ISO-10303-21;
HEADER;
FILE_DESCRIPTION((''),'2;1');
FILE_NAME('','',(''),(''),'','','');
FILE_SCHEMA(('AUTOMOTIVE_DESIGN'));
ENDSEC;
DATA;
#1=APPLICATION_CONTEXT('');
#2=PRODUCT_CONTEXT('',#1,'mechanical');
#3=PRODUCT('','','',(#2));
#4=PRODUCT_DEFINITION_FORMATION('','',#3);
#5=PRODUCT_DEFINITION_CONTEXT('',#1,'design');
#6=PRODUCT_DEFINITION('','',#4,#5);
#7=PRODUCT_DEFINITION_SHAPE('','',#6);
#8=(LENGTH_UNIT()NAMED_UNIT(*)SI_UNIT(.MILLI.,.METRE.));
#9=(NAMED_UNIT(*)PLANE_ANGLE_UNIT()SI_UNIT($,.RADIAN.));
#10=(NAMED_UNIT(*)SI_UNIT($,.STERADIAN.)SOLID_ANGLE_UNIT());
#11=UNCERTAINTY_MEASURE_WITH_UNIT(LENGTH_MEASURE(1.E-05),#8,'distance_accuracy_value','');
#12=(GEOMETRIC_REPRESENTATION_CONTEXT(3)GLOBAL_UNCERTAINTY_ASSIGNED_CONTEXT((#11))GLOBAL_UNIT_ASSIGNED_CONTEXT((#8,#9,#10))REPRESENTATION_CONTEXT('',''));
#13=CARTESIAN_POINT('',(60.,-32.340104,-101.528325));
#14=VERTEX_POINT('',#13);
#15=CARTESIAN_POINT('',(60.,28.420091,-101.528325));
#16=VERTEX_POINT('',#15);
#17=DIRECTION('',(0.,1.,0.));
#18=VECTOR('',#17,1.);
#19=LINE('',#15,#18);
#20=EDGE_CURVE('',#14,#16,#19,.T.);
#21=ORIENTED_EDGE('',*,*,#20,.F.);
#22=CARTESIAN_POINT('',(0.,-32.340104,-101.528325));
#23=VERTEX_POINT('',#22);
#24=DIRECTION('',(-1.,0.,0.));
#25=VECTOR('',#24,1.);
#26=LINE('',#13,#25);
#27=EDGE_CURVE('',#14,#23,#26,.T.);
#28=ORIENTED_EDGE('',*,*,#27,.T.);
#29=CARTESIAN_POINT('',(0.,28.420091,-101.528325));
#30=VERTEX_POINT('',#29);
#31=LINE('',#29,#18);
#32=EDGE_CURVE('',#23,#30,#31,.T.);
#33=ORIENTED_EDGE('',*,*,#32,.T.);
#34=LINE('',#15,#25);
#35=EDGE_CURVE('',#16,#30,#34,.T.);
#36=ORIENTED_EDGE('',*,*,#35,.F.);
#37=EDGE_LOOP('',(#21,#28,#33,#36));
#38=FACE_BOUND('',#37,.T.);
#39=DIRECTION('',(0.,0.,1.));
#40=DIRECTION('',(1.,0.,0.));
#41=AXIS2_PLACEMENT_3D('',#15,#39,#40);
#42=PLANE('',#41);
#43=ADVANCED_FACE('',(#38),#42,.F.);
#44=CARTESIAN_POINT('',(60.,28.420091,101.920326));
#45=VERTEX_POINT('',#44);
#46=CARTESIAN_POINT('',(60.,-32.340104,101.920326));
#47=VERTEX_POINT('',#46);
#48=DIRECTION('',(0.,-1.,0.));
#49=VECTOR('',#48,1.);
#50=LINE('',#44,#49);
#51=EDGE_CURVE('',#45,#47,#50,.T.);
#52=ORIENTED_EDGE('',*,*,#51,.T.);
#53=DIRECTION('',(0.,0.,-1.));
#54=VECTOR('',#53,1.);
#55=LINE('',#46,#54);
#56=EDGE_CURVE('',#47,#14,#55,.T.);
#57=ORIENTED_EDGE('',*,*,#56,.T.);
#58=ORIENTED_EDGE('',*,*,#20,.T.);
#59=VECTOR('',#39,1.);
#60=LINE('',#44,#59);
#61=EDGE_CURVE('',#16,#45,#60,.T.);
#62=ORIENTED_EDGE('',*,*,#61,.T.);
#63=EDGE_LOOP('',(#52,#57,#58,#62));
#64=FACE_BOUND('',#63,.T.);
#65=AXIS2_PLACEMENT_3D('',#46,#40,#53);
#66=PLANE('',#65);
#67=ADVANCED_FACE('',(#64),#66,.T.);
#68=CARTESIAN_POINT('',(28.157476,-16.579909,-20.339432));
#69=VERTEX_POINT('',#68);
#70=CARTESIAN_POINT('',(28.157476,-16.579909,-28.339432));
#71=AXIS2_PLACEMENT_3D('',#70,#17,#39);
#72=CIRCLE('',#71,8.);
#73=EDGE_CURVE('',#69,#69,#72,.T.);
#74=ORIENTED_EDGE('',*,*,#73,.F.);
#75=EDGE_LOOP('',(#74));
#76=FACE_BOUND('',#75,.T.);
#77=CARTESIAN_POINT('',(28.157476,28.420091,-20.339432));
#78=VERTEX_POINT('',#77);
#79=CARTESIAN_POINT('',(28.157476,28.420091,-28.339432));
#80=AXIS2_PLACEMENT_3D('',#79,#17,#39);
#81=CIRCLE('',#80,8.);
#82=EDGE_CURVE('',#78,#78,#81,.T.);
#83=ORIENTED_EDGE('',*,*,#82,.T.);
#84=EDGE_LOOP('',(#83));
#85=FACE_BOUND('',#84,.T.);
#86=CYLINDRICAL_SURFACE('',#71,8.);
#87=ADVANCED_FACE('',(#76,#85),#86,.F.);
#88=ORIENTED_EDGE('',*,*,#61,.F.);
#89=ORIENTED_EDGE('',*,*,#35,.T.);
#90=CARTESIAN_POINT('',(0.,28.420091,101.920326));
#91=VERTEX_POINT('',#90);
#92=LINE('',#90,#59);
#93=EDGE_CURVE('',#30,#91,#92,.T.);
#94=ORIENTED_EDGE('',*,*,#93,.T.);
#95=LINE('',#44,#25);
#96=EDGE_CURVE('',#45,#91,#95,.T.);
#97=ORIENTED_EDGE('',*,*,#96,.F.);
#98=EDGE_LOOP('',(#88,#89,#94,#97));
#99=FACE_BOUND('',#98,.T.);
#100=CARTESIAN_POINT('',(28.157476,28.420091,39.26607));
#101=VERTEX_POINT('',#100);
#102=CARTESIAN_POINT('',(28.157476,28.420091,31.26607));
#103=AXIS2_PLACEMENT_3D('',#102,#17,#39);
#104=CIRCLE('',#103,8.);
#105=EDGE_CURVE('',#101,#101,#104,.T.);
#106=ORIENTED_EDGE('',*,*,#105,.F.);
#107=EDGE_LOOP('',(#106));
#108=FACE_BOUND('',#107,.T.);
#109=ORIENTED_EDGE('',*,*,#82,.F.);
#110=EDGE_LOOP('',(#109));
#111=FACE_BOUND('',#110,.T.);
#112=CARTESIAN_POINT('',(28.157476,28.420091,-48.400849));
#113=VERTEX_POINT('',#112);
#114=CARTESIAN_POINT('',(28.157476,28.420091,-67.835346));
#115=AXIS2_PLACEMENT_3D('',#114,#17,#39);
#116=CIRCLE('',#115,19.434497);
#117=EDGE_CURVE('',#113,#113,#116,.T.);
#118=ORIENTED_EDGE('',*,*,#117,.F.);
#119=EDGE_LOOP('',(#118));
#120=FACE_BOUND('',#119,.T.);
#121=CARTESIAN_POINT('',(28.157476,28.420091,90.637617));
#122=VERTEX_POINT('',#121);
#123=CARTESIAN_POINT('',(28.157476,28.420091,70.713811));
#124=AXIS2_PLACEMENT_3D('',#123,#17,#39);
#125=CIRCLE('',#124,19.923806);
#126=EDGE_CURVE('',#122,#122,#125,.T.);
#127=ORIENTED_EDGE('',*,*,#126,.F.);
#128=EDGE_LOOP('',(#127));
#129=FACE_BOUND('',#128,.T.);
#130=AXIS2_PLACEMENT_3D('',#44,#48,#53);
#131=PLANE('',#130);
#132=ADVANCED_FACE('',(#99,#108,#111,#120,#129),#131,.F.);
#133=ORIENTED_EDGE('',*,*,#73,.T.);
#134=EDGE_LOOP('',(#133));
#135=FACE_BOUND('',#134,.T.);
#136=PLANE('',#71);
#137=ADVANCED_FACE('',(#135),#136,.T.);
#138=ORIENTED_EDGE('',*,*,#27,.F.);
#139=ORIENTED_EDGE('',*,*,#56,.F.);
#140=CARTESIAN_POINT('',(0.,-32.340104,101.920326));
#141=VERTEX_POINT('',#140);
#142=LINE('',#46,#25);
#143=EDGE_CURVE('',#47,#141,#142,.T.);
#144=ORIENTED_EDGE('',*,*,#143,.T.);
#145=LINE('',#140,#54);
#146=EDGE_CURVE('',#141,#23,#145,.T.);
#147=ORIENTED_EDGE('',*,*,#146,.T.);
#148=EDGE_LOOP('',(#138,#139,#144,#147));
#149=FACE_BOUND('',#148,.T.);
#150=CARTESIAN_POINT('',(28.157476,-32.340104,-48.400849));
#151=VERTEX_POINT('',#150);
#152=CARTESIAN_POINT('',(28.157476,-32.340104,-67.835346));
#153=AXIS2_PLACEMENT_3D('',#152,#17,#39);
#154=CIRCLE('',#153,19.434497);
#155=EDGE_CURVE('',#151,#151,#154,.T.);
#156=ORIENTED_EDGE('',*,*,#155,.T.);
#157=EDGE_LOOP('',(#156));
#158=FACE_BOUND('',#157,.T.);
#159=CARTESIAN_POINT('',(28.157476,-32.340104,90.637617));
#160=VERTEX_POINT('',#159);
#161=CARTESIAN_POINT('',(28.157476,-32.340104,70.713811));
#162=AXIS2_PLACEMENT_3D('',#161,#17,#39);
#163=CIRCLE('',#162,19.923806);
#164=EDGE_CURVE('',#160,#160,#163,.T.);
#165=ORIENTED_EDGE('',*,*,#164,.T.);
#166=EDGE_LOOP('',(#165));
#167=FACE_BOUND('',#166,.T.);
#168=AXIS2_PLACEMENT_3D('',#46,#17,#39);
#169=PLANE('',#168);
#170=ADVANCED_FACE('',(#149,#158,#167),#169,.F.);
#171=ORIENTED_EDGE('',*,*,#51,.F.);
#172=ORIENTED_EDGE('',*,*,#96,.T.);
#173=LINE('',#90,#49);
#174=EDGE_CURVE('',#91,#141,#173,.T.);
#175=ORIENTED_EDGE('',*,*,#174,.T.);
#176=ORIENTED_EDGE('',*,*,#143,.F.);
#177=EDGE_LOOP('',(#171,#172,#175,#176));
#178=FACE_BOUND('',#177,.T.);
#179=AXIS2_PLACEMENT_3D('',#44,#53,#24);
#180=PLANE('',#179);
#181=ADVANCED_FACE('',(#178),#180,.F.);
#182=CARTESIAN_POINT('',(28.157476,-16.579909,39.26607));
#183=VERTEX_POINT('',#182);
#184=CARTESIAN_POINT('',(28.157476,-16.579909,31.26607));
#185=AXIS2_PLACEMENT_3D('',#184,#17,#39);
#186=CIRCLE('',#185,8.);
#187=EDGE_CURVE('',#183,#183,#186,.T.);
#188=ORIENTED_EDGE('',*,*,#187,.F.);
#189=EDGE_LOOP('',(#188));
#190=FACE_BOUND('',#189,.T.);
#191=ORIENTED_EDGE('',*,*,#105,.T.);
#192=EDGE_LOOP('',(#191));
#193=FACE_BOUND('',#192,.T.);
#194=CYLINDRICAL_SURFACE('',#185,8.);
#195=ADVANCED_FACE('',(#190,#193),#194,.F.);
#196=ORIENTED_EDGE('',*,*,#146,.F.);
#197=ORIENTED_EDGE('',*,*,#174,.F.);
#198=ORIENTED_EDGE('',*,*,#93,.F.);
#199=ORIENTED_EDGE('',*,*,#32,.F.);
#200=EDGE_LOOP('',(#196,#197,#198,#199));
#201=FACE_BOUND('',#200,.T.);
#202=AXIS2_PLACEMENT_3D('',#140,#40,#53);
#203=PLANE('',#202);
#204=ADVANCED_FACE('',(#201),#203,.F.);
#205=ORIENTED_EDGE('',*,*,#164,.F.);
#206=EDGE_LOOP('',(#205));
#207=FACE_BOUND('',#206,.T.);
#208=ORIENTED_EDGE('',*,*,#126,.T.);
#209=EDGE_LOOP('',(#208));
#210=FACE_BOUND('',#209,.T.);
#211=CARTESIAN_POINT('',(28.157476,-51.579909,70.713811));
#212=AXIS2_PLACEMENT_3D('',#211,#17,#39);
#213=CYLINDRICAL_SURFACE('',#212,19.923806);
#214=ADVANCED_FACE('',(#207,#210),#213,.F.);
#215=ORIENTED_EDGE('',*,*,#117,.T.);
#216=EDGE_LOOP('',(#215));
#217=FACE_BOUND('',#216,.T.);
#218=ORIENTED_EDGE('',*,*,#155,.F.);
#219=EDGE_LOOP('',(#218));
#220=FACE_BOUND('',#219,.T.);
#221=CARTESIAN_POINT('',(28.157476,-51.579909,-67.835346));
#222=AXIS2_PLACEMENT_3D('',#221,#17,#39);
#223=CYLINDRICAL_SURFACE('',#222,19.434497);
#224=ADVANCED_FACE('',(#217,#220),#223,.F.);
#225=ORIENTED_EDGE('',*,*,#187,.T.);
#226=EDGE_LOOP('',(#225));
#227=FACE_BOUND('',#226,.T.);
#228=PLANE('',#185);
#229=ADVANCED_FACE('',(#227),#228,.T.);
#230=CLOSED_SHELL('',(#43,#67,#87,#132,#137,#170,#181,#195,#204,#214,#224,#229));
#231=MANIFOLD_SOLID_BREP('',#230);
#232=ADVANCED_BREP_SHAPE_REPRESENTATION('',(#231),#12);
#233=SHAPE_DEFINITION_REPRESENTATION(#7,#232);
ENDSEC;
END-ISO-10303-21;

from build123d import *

# Parameters (mm, degrees)
SKETCH1_W           = 203.448651213
SKETCH1_H           = 60.760194486
BOSS_EXTRUDE1_DEPTH = 60
SKETCH2_R           = 19.434497102
SKETCH2_R_2         = 19.923805808
CUT_EXTRUDE2_DEPTH  = 80
SKETCH3_R           = 8
CUT_EXTRUDE3_DEPTH  = 45


with BuildPart() as part:
    # Sketch1 → Boss-Extrude1 (new body)
    with BuildSketch(Plane(origin=(0, 0, 0), x_dir=(0, 0, -1), z_dir=(1, 0, 0))):
        with Locations((-0.196000627, -1.960006274)):
            Rectangle(SKETCH1_W, SKETCH1_H)
    extrude(amount=BOSS_EXTRUDE1_DEPTH)

    # Sketch2 → Cut-Extrude2 (cut)
    with BuildSketch(Plane(origin=(0, 28.420090969, 0), x_dir=(-1, 0, 0), z_dir=(0, 1, 0))):
        with Locations(Location((-28.157475654, -67.835345713, 0), (0, 0, 90))):  # turned: the seam where the file's is
            Circle(SKETCH2_R)
        with Locations(Location((-28.157475654, 70.713811049, 0), (0, 0, 90))):  # turned: the seam where the file's is
            Circle(SKETCH2_R_2)
    extrude(amount=-CUT_EXTRUDE2_DEPTH, mode=Mode.SUBTRACT)

    # Sketch3 → Cut-Extrude3 (cut)
    with BuildSketch(Plane(origin=(0, 28.420090969, 0), x_dir=(1, 0, 0), z_dir=(0, 1, 0))):
        with Locations(Location((28.157475654, 28.339432247, 0), (0, 0, 270))):  # turned: the seam where the file's is
            Circle(SKETCH3_R)
        with Locations(Location((28.157475654, -31.26607036, 0), (0, 0, 270))):  # turned: the seam where the file's is
            Circle(SKETCH3_R)
    extrude(amount=-CUT_EXTRUDE3_DEPTH, mode=Mode.SUBTRACT)


solid = part.part
